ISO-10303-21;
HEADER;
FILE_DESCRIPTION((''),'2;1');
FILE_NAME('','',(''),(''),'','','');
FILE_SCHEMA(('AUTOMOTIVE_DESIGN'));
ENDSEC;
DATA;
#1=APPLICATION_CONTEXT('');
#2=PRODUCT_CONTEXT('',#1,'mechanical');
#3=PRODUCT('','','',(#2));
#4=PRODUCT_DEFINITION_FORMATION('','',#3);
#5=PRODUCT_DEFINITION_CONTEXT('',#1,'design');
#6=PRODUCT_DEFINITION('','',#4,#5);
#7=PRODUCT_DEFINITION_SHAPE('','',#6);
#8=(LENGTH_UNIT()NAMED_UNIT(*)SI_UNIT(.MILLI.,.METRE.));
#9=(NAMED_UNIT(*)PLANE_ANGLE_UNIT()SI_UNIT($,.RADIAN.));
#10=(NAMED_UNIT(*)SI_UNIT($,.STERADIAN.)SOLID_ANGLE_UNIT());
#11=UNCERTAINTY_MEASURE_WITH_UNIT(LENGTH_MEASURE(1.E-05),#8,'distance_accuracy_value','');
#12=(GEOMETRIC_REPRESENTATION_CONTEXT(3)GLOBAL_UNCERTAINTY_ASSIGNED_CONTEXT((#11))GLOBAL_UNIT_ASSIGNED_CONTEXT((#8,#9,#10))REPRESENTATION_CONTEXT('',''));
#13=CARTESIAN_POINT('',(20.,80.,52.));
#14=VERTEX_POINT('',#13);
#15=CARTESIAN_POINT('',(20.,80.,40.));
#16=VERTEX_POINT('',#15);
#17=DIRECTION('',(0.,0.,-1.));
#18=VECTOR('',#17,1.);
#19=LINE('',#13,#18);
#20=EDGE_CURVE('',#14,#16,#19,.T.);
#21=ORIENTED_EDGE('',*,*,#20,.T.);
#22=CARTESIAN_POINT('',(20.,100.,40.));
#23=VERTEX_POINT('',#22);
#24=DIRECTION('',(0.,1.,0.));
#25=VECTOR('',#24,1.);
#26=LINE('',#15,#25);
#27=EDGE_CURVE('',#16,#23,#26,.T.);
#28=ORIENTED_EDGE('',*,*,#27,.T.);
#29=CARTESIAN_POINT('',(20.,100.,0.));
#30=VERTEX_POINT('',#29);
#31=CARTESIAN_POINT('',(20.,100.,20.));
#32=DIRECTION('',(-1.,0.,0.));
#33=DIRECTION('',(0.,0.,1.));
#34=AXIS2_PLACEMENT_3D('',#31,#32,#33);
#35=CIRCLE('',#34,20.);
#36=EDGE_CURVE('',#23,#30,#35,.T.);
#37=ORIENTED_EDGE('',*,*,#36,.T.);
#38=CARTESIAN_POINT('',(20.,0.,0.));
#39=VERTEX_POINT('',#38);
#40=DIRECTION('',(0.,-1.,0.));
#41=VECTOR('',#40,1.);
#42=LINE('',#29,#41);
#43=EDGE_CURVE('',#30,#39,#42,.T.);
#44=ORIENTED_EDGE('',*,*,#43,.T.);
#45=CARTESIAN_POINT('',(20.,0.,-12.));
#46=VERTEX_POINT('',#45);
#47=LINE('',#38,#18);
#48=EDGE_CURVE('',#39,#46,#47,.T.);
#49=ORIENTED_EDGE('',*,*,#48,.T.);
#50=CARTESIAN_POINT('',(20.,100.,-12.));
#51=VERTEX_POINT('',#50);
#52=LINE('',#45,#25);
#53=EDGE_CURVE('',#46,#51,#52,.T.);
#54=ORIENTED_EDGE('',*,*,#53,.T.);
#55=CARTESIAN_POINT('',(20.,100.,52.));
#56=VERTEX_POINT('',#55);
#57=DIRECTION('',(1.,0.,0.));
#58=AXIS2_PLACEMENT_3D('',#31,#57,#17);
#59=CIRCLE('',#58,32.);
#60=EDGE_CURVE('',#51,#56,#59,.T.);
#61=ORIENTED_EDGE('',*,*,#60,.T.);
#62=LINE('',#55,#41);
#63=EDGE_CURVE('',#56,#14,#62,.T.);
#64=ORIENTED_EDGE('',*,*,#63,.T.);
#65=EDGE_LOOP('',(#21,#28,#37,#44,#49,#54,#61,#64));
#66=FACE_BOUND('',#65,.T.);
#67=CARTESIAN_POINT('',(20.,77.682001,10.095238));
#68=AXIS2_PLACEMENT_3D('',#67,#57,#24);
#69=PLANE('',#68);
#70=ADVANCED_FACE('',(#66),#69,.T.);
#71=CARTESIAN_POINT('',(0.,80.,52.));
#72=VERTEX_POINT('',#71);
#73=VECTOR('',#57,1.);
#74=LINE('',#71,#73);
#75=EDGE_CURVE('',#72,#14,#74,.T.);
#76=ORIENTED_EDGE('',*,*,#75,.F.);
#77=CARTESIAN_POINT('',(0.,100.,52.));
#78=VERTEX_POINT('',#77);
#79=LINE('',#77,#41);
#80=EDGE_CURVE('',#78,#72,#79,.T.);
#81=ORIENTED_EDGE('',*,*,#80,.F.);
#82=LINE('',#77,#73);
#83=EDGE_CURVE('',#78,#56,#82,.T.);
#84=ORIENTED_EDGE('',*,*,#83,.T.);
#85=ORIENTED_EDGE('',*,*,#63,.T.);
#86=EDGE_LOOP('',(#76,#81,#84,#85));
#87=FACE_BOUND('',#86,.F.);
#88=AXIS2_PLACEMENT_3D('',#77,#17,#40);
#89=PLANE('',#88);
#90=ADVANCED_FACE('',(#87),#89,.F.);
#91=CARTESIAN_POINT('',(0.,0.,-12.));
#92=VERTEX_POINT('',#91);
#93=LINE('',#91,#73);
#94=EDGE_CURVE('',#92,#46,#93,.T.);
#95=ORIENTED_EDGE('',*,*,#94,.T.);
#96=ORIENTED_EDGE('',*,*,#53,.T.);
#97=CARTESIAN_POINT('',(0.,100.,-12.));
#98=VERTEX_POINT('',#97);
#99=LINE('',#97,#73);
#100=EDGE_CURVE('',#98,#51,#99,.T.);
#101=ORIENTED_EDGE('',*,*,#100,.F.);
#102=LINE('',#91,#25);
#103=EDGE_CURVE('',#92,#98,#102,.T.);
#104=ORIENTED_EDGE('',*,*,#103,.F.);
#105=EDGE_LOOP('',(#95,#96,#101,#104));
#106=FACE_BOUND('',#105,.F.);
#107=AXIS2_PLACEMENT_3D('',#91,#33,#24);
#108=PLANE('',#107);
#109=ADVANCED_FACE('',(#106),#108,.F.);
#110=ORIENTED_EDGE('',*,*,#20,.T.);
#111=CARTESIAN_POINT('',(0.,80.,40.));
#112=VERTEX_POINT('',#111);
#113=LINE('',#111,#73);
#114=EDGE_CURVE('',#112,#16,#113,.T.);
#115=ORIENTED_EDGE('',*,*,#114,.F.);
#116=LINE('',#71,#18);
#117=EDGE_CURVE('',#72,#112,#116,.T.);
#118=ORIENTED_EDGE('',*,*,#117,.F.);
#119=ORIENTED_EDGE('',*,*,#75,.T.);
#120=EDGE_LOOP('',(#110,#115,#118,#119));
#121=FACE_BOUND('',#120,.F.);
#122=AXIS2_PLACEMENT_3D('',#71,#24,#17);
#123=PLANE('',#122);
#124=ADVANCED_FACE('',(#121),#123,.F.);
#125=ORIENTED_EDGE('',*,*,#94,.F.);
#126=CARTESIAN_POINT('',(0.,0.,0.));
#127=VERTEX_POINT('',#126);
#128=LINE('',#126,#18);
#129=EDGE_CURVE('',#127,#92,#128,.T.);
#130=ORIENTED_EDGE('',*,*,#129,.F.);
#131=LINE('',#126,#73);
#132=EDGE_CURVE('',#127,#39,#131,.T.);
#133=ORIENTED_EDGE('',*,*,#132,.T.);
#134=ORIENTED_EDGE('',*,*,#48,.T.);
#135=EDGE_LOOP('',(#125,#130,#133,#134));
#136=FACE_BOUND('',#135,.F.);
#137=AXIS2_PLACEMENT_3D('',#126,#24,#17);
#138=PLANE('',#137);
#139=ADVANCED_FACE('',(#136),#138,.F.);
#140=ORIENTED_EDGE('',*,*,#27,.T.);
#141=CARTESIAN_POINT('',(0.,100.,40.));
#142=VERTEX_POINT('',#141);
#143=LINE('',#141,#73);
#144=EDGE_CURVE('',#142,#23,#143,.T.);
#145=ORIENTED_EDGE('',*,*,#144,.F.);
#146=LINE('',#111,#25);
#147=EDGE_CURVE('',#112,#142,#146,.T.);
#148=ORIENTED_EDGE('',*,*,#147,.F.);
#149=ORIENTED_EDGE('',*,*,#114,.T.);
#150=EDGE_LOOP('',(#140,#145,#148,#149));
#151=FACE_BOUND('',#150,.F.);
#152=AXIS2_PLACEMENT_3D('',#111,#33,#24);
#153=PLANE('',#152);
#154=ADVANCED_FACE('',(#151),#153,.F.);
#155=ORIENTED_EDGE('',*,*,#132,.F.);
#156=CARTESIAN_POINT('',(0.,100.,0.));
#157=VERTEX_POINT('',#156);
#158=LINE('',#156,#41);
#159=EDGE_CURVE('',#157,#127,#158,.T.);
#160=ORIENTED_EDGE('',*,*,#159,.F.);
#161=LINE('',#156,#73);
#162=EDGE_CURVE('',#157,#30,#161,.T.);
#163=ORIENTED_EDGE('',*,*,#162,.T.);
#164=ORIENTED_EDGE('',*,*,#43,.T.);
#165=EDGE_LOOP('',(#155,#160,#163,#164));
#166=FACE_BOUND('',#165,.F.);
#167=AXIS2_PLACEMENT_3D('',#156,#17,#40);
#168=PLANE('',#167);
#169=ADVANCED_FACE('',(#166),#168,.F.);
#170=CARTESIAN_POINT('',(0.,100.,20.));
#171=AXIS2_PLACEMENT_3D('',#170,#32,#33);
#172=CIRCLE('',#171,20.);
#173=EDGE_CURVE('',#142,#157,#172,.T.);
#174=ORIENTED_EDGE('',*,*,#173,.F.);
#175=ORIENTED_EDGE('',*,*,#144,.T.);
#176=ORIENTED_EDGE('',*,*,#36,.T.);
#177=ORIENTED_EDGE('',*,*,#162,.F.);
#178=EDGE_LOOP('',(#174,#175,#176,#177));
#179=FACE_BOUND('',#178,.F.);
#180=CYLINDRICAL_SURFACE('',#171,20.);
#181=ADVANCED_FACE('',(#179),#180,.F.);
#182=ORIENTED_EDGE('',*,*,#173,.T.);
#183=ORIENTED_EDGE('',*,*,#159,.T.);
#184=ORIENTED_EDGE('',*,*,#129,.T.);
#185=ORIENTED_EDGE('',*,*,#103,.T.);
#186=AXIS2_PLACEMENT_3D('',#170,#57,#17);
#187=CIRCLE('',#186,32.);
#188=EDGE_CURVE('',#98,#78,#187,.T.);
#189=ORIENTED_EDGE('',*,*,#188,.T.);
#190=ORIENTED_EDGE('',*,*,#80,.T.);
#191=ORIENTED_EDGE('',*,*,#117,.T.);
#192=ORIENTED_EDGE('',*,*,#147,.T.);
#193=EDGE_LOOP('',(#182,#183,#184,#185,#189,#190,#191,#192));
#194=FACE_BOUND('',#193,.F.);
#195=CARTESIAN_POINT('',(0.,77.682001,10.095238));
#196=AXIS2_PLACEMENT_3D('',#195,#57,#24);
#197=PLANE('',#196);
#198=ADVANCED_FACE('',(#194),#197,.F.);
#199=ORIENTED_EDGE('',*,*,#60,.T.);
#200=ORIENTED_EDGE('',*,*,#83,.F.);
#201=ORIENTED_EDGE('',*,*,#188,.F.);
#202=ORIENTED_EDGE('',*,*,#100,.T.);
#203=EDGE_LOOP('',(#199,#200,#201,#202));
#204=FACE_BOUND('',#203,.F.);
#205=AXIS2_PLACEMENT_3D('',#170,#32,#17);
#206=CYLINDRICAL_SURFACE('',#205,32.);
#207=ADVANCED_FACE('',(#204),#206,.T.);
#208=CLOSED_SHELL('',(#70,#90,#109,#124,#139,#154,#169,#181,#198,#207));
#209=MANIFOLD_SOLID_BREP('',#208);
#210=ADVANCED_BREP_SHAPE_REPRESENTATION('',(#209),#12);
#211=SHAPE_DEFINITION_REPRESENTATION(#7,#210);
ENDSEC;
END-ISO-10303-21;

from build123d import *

# Parameters (mm, degrees)
F1_DEPTH = 20


with BuildPart() as f1:
    # F0 (on Right) → F1 (new body)
    with BuildSketch(Plane.YZ):
        with BuildLine():
            Line((100, 0), (0, 0))
            Line((0, 0), (0, -12))
            Line((0, -12), (100, -12))
            ThreePointArc((100, -12), (132, 20), (100, 52))
            Line((100, 52), (80, 52))
            Line((80, 52), (80, 40))
            Line((80, 40), (100, 40))
            ThreePointArc((100, 40), (120, 20), (100, 0))
        make_face()
    extrude(amount=F1_DEPTH)


solid = f1.part
